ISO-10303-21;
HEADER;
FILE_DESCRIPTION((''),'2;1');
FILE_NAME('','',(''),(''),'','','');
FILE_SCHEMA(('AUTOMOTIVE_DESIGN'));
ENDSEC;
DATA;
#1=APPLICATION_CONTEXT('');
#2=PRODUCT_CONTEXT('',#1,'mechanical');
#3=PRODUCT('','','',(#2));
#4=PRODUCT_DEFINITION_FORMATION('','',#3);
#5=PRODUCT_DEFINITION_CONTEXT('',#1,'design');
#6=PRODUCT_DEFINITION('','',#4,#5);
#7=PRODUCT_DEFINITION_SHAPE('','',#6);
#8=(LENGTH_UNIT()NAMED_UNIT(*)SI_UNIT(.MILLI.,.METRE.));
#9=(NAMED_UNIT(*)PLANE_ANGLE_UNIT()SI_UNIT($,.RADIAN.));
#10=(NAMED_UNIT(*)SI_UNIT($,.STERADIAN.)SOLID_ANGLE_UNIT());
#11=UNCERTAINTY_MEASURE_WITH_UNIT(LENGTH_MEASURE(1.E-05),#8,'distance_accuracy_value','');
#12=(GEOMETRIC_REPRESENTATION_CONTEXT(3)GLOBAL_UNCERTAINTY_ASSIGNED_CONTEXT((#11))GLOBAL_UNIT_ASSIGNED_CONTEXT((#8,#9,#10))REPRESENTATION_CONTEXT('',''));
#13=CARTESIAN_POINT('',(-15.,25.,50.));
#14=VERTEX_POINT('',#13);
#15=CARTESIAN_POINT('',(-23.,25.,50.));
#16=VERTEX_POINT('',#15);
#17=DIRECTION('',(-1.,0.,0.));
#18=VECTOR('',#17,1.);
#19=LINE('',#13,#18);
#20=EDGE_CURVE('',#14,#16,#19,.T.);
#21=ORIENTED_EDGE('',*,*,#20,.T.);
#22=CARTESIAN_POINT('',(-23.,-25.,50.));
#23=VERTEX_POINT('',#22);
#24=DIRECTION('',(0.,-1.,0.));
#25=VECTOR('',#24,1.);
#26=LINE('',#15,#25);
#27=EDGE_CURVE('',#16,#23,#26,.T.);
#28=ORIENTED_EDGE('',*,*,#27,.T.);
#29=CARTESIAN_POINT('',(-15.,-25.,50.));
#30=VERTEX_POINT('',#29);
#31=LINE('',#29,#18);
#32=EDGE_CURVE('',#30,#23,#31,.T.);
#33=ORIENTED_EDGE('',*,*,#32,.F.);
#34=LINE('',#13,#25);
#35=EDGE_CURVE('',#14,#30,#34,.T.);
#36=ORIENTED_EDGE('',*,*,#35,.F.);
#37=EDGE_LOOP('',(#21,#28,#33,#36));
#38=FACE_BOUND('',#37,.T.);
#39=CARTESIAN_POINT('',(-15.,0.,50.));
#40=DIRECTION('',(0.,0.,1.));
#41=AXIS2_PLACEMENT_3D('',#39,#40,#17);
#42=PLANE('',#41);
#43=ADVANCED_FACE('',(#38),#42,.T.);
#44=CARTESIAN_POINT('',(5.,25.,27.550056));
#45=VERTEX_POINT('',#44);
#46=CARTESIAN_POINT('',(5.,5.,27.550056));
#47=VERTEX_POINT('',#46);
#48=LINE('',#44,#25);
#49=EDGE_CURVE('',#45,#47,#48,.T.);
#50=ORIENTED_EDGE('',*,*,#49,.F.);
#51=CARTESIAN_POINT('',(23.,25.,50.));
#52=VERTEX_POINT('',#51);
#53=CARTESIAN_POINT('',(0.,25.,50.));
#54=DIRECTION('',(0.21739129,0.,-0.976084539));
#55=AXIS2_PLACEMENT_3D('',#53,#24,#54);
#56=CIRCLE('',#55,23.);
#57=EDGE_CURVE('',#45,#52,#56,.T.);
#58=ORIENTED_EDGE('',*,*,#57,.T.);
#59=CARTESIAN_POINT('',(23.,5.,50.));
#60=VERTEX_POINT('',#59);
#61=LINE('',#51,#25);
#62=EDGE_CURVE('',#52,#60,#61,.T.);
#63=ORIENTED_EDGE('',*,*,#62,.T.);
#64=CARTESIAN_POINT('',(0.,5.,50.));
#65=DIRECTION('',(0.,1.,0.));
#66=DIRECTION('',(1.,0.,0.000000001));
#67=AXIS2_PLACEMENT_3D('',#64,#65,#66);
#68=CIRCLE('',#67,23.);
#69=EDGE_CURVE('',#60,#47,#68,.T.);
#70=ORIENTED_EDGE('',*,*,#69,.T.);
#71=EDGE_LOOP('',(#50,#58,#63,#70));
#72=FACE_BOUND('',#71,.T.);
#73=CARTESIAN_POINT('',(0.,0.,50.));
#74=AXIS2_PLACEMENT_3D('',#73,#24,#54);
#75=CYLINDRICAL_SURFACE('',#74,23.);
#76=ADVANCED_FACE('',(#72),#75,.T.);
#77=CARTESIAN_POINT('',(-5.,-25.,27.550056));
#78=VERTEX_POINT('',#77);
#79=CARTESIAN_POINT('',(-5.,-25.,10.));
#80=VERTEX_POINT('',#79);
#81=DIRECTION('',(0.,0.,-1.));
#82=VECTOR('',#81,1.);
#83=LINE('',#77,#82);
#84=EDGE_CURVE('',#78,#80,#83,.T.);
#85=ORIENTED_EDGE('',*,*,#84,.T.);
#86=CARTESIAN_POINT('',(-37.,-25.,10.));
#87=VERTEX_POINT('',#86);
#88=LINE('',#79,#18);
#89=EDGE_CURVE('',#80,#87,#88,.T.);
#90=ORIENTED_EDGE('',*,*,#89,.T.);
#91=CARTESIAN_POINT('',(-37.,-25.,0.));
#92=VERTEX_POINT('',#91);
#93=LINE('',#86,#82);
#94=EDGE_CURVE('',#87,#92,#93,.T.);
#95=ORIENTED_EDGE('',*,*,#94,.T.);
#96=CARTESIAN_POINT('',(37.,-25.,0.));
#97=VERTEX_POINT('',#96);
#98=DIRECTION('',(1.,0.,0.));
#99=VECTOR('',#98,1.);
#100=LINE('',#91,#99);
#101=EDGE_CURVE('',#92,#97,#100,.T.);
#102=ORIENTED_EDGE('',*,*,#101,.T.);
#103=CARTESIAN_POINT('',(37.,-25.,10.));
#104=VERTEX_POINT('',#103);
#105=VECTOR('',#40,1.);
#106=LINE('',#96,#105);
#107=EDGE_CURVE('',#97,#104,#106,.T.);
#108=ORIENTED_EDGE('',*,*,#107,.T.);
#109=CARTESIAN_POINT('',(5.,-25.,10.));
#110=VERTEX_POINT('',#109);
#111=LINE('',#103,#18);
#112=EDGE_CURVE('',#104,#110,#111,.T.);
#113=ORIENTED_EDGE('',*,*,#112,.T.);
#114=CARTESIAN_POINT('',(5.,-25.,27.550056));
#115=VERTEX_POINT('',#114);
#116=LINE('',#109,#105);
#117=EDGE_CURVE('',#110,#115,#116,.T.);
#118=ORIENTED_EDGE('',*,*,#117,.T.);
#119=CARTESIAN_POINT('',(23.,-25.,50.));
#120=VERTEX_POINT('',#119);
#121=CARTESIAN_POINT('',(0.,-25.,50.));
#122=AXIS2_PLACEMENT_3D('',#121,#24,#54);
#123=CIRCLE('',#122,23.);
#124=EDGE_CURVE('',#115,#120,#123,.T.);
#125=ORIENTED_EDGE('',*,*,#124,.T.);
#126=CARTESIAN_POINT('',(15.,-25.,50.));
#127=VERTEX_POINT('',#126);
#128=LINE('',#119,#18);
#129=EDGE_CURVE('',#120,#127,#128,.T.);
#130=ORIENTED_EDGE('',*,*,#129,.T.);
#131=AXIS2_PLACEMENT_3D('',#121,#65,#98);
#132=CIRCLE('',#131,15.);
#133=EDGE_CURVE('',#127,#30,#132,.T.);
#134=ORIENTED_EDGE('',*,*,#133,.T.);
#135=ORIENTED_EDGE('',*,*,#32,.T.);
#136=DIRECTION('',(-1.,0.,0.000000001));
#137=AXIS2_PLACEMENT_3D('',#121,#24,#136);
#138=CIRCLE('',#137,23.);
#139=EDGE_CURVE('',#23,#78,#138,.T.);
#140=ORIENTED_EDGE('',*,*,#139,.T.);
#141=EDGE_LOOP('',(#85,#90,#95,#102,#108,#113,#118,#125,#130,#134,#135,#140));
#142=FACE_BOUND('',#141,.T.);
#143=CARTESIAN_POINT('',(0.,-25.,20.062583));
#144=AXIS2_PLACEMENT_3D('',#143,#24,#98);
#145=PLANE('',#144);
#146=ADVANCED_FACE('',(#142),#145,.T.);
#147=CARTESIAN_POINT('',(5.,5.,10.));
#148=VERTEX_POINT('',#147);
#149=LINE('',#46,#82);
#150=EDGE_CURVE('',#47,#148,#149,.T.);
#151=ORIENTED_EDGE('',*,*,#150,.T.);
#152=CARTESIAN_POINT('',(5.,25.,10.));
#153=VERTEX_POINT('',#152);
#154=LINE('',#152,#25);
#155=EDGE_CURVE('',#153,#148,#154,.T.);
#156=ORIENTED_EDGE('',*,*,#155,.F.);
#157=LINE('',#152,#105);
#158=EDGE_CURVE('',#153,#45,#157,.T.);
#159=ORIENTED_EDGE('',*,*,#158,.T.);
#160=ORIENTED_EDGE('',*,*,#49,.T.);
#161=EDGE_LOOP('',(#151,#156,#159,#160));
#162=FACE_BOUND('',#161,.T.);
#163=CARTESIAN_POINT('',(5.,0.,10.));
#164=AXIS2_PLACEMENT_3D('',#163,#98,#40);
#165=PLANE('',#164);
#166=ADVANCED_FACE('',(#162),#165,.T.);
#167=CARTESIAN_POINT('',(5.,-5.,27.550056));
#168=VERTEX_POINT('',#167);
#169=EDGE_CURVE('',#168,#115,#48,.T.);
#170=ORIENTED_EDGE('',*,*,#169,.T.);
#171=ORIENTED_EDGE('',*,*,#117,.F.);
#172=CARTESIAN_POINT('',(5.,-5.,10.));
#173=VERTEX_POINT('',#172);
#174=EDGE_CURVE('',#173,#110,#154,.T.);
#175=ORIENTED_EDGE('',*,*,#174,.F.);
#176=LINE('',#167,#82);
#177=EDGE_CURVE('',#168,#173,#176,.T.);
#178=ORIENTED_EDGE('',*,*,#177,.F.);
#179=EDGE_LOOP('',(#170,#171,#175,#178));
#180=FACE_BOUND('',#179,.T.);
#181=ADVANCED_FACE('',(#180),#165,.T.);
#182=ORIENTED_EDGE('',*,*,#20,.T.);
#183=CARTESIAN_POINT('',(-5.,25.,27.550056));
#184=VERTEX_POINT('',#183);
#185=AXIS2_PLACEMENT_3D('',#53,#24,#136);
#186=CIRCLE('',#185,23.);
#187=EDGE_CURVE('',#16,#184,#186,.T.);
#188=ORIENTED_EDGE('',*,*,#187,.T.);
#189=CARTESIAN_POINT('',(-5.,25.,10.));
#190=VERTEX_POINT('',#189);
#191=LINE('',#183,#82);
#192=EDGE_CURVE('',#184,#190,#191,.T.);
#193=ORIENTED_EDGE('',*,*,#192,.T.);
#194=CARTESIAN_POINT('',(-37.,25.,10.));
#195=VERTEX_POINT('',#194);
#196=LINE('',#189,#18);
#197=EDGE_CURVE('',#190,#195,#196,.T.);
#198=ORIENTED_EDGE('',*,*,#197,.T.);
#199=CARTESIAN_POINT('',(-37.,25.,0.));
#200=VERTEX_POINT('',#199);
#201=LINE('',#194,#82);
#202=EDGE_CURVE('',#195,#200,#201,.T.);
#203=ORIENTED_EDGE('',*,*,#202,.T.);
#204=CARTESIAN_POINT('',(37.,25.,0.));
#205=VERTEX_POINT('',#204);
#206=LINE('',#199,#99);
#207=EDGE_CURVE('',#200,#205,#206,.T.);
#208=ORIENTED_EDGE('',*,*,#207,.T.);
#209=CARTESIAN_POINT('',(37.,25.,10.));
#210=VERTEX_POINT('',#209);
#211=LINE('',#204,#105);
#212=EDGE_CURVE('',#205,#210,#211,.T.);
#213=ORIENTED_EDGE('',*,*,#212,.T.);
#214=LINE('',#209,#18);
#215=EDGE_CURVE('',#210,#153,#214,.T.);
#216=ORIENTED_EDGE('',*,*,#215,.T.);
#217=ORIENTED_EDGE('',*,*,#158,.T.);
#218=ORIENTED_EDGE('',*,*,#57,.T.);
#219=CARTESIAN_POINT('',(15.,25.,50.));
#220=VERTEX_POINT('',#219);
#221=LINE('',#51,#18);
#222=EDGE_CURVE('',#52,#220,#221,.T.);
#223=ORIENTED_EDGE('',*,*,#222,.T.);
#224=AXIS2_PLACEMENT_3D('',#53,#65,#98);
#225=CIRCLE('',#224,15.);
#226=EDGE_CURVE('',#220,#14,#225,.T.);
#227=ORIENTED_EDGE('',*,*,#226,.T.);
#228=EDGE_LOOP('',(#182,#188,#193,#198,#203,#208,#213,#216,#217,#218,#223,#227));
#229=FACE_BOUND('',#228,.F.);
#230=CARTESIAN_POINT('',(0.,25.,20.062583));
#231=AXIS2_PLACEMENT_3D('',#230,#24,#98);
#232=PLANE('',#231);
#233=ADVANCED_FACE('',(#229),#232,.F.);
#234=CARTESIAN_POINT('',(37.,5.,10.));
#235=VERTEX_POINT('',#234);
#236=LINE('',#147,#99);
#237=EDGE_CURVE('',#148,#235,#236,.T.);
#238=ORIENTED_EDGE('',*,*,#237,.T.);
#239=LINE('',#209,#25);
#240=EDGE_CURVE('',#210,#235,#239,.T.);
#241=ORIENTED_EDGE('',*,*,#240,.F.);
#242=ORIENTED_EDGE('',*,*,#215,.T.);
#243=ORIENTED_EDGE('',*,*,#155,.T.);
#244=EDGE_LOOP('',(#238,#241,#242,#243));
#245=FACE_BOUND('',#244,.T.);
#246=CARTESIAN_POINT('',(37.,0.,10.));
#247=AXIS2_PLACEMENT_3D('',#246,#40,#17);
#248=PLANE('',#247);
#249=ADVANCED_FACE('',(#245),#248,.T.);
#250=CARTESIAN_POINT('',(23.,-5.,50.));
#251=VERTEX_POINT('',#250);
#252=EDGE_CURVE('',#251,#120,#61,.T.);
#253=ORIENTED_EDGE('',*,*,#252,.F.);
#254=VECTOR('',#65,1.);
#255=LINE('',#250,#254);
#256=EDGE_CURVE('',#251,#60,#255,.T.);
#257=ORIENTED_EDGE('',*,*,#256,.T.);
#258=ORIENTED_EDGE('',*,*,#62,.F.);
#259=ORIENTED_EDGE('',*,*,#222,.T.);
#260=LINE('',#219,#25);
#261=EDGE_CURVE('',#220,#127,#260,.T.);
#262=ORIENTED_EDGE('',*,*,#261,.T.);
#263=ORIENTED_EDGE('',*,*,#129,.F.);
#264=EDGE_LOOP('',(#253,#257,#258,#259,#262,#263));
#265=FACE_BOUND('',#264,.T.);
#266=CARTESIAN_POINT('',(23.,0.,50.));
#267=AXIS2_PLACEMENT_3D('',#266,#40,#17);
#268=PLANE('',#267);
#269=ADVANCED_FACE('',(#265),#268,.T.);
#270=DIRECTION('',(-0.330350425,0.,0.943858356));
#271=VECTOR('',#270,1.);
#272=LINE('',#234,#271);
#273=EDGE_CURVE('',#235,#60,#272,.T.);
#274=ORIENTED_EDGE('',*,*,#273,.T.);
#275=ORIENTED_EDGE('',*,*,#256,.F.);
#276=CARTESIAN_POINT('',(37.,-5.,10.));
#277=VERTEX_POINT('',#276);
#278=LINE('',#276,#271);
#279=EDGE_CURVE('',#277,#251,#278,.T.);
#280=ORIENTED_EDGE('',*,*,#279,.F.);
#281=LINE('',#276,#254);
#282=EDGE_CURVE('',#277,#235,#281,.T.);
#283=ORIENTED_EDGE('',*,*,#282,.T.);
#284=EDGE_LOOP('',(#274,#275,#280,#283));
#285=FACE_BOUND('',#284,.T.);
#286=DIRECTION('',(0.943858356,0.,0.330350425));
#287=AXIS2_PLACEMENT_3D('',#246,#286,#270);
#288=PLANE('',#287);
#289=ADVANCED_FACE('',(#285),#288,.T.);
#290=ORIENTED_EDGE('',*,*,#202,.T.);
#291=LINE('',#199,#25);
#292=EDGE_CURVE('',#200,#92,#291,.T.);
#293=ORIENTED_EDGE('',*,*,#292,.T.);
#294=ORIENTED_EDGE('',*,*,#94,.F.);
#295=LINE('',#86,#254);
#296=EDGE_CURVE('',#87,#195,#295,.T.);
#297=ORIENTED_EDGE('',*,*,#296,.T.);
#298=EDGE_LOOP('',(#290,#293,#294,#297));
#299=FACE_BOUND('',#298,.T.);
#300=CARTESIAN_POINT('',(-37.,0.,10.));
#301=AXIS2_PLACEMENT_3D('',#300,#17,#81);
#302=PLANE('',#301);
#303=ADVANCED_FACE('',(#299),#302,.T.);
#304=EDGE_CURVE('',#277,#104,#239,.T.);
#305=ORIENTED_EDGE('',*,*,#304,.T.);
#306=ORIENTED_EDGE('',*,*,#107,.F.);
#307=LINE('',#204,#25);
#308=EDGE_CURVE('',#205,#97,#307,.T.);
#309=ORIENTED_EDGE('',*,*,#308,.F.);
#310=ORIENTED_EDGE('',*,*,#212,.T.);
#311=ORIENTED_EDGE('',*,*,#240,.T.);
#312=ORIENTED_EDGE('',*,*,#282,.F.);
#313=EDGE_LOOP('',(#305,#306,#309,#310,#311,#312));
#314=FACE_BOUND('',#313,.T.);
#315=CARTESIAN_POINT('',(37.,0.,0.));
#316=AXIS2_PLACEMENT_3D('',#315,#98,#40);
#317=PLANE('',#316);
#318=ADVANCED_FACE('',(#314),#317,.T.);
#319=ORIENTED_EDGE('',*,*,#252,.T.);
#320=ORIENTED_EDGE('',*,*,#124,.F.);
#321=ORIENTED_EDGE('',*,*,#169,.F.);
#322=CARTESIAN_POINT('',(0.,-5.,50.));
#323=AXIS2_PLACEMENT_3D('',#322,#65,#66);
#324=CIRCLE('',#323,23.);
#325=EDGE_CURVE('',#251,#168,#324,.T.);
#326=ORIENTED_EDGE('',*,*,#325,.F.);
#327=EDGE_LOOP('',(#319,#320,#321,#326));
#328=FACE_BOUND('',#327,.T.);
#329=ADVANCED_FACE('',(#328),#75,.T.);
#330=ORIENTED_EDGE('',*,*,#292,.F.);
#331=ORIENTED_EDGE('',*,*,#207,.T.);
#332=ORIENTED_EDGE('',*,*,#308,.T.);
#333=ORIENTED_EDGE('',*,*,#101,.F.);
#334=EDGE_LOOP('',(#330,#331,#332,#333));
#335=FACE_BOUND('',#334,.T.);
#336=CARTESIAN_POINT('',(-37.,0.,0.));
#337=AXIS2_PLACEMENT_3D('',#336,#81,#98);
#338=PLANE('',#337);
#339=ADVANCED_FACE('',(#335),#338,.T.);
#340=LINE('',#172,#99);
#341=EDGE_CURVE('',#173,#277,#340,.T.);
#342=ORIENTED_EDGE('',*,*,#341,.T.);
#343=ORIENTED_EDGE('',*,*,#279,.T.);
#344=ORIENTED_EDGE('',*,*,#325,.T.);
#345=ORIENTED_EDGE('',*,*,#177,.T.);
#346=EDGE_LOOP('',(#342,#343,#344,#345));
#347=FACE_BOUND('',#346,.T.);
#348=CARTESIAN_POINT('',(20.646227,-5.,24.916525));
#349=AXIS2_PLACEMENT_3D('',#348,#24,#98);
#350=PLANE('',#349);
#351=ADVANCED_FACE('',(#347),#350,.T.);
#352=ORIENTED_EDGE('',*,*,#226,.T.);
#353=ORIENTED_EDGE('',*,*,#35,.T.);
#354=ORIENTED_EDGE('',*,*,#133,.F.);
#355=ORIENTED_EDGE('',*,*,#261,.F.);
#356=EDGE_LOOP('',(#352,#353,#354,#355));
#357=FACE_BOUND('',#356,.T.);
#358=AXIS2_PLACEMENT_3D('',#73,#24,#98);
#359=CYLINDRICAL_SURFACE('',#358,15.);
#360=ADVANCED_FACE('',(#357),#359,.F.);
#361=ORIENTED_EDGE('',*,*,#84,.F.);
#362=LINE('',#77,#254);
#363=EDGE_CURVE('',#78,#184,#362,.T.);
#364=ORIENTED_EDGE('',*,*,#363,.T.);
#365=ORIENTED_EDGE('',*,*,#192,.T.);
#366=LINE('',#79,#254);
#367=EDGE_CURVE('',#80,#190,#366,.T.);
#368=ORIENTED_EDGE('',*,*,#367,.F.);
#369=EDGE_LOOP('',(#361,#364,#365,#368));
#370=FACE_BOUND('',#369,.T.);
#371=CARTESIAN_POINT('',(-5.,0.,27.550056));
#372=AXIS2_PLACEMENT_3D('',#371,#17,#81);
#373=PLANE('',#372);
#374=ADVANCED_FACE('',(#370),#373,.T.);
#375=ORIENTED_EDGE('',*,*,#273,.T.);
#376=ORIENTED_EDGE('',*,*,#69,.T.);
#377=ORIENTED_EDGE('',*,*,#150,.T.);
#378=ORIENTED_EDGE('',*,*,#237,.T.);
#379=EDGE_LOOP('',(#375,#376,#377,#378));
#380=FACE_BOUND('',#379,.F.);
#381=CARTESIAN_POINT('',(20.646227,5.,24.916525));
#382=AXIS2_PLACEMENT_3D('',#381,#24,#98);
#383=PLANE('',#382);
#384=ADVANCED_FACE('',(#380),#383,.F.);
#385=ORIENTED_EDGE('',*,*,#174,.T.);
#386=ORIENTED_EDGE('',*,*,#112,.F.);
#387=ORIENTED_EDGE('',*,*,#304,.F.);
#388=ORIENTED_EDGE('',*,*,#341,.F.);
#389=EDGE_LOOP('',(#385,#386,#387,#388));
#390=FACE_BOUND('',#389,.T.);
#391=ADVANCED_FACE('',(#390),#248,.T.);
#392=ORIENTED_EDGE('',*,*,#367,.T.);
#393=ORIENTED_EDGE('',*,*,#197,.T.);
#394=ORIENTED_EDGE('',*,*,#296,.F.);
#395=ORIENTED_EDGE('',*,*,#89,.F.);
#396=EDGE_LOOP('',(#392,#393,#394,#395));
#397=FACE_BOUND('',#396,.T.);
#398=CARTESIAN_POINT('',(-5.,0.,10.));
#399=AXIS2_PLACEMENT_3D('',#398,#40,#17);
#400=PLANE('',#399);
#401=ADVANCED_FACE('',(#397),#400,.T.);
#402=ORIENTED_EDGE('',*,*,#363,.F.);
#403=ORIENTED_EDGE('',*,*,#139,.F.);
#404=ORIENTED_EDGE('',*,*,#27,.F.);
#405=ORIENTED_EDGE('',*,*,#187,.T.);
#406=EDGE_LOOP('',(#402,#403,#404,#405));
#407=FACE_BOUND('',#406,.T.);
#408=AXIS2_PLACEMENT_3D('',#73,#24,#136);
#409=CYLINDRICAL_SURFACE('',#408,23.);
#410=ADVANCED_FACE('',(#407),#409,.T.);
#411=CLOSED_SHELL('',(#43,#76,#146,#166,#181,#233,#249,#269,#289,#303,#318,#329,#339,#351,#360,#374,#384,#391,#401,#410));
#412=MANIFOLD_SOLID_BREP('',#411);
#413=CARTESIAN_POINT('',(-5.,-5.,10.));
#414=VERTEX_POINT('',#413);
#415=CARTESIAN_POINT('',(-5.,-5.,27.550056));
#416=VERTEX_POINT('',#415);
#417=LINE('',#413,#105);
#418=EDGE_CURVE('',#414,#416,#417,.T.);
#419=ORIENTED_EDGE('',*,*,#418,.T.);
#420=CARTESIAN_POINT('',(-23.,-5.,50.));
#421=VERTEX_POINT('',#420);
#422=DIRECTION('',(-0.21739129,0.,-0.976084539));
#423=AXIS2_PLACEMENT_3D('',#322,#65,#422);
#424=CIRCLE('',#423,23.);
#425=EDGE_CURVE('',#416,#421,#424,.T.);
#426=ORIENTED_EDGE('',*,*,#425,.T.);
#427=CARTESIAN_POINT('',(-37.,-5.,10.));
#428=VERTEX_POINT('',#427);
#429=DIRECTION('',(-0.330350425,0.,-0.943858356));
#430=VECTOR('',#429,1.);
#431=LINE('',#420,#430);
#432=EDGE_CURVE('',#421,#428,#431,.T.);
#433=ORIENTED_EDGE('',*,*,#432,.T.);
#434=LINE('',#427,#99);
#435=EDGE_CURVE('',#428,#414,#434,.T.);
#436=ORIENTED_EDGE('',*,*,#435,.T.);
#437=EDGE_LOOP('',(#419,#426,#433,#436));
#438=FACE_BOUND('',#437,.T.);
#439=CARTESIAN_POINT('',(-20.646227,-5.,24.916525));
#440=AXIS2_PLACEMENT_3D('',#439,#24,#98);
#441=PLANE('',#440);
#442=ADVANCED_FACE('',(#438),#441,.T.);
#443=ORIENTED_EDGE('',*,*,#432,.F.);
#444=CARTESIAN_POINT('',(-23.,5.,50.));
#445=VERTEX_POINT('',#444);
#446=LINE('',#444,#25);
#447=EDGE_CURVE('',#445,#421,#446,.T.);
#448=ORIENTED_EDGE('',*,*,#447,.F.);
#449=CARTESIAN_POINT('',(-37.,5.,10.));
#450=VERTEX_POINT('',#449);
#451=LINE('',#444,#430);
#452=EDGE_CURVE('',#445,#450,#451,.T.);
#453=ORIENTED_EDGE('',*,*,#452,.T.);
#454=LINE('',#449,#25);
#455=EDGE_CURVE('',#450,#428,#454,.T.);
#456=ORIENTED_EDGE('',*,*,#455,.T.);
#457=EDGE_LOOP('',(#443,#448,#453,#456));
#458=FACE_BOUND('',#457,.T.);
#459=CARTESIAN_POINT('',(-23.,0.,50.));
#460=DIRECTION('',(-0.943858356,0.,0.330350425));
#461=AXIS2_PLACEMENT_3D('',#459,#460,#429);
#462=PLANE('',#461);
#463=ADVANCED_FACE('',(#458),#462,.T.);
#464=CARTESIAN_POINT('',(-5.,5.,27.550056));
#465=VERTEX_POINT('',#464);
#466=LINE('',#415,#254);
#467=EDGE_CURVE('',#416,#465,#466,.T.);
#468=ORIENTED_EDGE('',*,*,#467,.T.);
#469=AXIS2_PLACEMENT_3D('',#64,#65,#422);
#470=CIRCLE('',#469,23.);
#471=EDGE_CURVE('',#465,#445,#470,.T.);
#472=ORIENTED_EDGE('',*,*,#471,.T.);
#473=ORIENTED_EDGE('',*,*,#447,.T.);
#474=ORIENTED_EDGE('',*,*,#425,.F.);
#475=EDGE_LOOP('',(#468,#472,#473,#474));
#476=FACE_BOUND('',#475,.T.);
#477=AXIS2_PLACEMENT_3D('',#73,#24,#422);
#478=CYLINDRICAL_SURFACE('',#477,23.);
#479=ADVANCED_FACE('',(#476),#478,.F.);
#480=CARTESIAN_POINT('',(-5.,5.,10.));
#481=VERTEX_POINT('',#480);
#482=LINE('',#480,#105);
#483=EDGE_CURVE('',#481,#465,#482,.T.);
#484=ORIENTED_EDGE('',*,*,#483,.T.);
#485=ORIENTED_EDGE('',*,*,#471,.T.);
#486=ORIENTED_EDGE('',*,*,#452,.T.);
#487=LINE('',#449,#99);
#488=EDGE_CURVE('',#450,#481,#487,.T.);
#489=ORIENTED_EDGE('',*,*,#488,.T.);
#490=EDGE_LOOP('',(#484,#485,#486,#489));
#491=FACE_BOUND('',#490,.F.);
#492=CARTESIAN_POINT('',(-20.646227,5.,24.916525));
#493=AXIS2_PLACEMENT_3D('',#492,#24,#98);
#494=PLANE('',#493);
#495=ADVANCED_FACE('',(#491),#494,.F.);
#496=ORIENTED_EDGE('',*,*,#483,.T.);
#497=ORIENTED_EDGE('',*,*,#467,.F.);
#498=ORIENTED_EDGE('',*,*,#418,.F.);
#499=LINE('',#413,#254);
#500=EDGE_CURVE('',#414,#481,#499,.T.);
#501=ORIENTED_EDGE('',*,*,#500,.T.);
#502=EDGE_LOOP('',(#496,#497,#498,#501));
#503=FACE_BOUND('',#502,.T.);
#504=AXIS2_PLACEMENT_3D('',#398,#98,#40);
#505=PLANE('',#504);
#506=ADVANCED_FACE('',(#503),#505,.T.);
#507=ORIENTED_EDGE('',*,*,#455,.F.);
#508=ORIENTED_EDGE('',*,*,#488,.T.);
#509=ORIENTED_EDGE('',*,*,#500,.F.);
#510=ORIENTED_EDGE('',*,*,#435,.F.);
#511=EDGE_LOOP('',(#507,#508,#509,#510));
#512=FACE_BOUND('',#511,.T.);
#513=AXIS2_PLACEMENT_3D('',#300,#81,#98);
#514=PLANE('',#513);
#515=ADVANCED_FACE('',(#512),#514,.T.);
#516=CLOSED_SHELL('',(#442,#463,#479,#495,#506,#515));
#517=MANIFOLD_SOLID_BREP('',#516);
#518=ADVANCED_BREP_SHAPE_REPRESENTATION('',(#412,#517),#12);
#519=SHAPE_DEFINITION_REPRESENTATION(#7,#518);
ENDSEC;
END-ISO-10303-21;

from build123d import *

# Parameters (mm, degrees)
F1_DEPTH = 25
F3_DEPTH = 5
F5_DEPTH = 5


with BuildPart() as f1:
    # F0 (on Front) → F1 (new body, symmetric)
    with BuildSketch(Plane.XZ):
        with BuildLine():
            Line((-37, 10), (-37, 0))
            Line((-37, 0), (0, 0))
            Line((0, 0), (37, 0))
            Line((37, 0), (37, 10))
            Line((37, 10), (5, 10))
            Line((5, 10), (5, 27))
            Line((5, 27), (5, 27.550056))
            ThreePointArc((5, 27.550056), (17.944358, 35.612505), (23, 50))
            Line((23, 50), (15, 50))
            ThreePointArc((15, 50), (0, 35), (-15, 50))
            Line((-15, 50), (-23, 50))
            ThreePointArc((-23, 50), (-17.944358, 35.612505), (-5, 27.550056))
            Line((-5, 27.550056), (-5, 23.140989))
            Line((-5, 23.140989), (-5, 10))
            Line((-5, 10), (-37, 10))
        make_face()
    extrude(amount=F1_DEPTH, both=True)

    # F4 (on Front) → F5 (join, symmetric)
    with BuildSketch(Plane.XZ):
        with BuildLine():
            ThreePointArc((23, 50), (17.944358, 35.612505), (5, 27.550056))
            Line((5, 27.550056), (5, 10))
            Line((5, 10), (37, 10))
            Line((37, 10), (23, 50))
        make_face()
    extrude(amount=F5_DEPTH, both=True)


with BuildPart() as f3:
    # F2 (on Front) → F3 (new body, symmetric)
    with BuildSketch(Plane.XZ):
        with BuildLine():
            ThreePointArc((-5, 27.550056), (-17.944358, 35.612505), (-23, 50))
            Line((-23, 50), (-37, 10))
            Line((-37, 10), (-5, 10))
            Line((-5, 10), (-5, 27.550056))
        make_face()
    extrude(amount=F3_DEPTH, both=True)


solid = Compound([f1.part, f3.part])
